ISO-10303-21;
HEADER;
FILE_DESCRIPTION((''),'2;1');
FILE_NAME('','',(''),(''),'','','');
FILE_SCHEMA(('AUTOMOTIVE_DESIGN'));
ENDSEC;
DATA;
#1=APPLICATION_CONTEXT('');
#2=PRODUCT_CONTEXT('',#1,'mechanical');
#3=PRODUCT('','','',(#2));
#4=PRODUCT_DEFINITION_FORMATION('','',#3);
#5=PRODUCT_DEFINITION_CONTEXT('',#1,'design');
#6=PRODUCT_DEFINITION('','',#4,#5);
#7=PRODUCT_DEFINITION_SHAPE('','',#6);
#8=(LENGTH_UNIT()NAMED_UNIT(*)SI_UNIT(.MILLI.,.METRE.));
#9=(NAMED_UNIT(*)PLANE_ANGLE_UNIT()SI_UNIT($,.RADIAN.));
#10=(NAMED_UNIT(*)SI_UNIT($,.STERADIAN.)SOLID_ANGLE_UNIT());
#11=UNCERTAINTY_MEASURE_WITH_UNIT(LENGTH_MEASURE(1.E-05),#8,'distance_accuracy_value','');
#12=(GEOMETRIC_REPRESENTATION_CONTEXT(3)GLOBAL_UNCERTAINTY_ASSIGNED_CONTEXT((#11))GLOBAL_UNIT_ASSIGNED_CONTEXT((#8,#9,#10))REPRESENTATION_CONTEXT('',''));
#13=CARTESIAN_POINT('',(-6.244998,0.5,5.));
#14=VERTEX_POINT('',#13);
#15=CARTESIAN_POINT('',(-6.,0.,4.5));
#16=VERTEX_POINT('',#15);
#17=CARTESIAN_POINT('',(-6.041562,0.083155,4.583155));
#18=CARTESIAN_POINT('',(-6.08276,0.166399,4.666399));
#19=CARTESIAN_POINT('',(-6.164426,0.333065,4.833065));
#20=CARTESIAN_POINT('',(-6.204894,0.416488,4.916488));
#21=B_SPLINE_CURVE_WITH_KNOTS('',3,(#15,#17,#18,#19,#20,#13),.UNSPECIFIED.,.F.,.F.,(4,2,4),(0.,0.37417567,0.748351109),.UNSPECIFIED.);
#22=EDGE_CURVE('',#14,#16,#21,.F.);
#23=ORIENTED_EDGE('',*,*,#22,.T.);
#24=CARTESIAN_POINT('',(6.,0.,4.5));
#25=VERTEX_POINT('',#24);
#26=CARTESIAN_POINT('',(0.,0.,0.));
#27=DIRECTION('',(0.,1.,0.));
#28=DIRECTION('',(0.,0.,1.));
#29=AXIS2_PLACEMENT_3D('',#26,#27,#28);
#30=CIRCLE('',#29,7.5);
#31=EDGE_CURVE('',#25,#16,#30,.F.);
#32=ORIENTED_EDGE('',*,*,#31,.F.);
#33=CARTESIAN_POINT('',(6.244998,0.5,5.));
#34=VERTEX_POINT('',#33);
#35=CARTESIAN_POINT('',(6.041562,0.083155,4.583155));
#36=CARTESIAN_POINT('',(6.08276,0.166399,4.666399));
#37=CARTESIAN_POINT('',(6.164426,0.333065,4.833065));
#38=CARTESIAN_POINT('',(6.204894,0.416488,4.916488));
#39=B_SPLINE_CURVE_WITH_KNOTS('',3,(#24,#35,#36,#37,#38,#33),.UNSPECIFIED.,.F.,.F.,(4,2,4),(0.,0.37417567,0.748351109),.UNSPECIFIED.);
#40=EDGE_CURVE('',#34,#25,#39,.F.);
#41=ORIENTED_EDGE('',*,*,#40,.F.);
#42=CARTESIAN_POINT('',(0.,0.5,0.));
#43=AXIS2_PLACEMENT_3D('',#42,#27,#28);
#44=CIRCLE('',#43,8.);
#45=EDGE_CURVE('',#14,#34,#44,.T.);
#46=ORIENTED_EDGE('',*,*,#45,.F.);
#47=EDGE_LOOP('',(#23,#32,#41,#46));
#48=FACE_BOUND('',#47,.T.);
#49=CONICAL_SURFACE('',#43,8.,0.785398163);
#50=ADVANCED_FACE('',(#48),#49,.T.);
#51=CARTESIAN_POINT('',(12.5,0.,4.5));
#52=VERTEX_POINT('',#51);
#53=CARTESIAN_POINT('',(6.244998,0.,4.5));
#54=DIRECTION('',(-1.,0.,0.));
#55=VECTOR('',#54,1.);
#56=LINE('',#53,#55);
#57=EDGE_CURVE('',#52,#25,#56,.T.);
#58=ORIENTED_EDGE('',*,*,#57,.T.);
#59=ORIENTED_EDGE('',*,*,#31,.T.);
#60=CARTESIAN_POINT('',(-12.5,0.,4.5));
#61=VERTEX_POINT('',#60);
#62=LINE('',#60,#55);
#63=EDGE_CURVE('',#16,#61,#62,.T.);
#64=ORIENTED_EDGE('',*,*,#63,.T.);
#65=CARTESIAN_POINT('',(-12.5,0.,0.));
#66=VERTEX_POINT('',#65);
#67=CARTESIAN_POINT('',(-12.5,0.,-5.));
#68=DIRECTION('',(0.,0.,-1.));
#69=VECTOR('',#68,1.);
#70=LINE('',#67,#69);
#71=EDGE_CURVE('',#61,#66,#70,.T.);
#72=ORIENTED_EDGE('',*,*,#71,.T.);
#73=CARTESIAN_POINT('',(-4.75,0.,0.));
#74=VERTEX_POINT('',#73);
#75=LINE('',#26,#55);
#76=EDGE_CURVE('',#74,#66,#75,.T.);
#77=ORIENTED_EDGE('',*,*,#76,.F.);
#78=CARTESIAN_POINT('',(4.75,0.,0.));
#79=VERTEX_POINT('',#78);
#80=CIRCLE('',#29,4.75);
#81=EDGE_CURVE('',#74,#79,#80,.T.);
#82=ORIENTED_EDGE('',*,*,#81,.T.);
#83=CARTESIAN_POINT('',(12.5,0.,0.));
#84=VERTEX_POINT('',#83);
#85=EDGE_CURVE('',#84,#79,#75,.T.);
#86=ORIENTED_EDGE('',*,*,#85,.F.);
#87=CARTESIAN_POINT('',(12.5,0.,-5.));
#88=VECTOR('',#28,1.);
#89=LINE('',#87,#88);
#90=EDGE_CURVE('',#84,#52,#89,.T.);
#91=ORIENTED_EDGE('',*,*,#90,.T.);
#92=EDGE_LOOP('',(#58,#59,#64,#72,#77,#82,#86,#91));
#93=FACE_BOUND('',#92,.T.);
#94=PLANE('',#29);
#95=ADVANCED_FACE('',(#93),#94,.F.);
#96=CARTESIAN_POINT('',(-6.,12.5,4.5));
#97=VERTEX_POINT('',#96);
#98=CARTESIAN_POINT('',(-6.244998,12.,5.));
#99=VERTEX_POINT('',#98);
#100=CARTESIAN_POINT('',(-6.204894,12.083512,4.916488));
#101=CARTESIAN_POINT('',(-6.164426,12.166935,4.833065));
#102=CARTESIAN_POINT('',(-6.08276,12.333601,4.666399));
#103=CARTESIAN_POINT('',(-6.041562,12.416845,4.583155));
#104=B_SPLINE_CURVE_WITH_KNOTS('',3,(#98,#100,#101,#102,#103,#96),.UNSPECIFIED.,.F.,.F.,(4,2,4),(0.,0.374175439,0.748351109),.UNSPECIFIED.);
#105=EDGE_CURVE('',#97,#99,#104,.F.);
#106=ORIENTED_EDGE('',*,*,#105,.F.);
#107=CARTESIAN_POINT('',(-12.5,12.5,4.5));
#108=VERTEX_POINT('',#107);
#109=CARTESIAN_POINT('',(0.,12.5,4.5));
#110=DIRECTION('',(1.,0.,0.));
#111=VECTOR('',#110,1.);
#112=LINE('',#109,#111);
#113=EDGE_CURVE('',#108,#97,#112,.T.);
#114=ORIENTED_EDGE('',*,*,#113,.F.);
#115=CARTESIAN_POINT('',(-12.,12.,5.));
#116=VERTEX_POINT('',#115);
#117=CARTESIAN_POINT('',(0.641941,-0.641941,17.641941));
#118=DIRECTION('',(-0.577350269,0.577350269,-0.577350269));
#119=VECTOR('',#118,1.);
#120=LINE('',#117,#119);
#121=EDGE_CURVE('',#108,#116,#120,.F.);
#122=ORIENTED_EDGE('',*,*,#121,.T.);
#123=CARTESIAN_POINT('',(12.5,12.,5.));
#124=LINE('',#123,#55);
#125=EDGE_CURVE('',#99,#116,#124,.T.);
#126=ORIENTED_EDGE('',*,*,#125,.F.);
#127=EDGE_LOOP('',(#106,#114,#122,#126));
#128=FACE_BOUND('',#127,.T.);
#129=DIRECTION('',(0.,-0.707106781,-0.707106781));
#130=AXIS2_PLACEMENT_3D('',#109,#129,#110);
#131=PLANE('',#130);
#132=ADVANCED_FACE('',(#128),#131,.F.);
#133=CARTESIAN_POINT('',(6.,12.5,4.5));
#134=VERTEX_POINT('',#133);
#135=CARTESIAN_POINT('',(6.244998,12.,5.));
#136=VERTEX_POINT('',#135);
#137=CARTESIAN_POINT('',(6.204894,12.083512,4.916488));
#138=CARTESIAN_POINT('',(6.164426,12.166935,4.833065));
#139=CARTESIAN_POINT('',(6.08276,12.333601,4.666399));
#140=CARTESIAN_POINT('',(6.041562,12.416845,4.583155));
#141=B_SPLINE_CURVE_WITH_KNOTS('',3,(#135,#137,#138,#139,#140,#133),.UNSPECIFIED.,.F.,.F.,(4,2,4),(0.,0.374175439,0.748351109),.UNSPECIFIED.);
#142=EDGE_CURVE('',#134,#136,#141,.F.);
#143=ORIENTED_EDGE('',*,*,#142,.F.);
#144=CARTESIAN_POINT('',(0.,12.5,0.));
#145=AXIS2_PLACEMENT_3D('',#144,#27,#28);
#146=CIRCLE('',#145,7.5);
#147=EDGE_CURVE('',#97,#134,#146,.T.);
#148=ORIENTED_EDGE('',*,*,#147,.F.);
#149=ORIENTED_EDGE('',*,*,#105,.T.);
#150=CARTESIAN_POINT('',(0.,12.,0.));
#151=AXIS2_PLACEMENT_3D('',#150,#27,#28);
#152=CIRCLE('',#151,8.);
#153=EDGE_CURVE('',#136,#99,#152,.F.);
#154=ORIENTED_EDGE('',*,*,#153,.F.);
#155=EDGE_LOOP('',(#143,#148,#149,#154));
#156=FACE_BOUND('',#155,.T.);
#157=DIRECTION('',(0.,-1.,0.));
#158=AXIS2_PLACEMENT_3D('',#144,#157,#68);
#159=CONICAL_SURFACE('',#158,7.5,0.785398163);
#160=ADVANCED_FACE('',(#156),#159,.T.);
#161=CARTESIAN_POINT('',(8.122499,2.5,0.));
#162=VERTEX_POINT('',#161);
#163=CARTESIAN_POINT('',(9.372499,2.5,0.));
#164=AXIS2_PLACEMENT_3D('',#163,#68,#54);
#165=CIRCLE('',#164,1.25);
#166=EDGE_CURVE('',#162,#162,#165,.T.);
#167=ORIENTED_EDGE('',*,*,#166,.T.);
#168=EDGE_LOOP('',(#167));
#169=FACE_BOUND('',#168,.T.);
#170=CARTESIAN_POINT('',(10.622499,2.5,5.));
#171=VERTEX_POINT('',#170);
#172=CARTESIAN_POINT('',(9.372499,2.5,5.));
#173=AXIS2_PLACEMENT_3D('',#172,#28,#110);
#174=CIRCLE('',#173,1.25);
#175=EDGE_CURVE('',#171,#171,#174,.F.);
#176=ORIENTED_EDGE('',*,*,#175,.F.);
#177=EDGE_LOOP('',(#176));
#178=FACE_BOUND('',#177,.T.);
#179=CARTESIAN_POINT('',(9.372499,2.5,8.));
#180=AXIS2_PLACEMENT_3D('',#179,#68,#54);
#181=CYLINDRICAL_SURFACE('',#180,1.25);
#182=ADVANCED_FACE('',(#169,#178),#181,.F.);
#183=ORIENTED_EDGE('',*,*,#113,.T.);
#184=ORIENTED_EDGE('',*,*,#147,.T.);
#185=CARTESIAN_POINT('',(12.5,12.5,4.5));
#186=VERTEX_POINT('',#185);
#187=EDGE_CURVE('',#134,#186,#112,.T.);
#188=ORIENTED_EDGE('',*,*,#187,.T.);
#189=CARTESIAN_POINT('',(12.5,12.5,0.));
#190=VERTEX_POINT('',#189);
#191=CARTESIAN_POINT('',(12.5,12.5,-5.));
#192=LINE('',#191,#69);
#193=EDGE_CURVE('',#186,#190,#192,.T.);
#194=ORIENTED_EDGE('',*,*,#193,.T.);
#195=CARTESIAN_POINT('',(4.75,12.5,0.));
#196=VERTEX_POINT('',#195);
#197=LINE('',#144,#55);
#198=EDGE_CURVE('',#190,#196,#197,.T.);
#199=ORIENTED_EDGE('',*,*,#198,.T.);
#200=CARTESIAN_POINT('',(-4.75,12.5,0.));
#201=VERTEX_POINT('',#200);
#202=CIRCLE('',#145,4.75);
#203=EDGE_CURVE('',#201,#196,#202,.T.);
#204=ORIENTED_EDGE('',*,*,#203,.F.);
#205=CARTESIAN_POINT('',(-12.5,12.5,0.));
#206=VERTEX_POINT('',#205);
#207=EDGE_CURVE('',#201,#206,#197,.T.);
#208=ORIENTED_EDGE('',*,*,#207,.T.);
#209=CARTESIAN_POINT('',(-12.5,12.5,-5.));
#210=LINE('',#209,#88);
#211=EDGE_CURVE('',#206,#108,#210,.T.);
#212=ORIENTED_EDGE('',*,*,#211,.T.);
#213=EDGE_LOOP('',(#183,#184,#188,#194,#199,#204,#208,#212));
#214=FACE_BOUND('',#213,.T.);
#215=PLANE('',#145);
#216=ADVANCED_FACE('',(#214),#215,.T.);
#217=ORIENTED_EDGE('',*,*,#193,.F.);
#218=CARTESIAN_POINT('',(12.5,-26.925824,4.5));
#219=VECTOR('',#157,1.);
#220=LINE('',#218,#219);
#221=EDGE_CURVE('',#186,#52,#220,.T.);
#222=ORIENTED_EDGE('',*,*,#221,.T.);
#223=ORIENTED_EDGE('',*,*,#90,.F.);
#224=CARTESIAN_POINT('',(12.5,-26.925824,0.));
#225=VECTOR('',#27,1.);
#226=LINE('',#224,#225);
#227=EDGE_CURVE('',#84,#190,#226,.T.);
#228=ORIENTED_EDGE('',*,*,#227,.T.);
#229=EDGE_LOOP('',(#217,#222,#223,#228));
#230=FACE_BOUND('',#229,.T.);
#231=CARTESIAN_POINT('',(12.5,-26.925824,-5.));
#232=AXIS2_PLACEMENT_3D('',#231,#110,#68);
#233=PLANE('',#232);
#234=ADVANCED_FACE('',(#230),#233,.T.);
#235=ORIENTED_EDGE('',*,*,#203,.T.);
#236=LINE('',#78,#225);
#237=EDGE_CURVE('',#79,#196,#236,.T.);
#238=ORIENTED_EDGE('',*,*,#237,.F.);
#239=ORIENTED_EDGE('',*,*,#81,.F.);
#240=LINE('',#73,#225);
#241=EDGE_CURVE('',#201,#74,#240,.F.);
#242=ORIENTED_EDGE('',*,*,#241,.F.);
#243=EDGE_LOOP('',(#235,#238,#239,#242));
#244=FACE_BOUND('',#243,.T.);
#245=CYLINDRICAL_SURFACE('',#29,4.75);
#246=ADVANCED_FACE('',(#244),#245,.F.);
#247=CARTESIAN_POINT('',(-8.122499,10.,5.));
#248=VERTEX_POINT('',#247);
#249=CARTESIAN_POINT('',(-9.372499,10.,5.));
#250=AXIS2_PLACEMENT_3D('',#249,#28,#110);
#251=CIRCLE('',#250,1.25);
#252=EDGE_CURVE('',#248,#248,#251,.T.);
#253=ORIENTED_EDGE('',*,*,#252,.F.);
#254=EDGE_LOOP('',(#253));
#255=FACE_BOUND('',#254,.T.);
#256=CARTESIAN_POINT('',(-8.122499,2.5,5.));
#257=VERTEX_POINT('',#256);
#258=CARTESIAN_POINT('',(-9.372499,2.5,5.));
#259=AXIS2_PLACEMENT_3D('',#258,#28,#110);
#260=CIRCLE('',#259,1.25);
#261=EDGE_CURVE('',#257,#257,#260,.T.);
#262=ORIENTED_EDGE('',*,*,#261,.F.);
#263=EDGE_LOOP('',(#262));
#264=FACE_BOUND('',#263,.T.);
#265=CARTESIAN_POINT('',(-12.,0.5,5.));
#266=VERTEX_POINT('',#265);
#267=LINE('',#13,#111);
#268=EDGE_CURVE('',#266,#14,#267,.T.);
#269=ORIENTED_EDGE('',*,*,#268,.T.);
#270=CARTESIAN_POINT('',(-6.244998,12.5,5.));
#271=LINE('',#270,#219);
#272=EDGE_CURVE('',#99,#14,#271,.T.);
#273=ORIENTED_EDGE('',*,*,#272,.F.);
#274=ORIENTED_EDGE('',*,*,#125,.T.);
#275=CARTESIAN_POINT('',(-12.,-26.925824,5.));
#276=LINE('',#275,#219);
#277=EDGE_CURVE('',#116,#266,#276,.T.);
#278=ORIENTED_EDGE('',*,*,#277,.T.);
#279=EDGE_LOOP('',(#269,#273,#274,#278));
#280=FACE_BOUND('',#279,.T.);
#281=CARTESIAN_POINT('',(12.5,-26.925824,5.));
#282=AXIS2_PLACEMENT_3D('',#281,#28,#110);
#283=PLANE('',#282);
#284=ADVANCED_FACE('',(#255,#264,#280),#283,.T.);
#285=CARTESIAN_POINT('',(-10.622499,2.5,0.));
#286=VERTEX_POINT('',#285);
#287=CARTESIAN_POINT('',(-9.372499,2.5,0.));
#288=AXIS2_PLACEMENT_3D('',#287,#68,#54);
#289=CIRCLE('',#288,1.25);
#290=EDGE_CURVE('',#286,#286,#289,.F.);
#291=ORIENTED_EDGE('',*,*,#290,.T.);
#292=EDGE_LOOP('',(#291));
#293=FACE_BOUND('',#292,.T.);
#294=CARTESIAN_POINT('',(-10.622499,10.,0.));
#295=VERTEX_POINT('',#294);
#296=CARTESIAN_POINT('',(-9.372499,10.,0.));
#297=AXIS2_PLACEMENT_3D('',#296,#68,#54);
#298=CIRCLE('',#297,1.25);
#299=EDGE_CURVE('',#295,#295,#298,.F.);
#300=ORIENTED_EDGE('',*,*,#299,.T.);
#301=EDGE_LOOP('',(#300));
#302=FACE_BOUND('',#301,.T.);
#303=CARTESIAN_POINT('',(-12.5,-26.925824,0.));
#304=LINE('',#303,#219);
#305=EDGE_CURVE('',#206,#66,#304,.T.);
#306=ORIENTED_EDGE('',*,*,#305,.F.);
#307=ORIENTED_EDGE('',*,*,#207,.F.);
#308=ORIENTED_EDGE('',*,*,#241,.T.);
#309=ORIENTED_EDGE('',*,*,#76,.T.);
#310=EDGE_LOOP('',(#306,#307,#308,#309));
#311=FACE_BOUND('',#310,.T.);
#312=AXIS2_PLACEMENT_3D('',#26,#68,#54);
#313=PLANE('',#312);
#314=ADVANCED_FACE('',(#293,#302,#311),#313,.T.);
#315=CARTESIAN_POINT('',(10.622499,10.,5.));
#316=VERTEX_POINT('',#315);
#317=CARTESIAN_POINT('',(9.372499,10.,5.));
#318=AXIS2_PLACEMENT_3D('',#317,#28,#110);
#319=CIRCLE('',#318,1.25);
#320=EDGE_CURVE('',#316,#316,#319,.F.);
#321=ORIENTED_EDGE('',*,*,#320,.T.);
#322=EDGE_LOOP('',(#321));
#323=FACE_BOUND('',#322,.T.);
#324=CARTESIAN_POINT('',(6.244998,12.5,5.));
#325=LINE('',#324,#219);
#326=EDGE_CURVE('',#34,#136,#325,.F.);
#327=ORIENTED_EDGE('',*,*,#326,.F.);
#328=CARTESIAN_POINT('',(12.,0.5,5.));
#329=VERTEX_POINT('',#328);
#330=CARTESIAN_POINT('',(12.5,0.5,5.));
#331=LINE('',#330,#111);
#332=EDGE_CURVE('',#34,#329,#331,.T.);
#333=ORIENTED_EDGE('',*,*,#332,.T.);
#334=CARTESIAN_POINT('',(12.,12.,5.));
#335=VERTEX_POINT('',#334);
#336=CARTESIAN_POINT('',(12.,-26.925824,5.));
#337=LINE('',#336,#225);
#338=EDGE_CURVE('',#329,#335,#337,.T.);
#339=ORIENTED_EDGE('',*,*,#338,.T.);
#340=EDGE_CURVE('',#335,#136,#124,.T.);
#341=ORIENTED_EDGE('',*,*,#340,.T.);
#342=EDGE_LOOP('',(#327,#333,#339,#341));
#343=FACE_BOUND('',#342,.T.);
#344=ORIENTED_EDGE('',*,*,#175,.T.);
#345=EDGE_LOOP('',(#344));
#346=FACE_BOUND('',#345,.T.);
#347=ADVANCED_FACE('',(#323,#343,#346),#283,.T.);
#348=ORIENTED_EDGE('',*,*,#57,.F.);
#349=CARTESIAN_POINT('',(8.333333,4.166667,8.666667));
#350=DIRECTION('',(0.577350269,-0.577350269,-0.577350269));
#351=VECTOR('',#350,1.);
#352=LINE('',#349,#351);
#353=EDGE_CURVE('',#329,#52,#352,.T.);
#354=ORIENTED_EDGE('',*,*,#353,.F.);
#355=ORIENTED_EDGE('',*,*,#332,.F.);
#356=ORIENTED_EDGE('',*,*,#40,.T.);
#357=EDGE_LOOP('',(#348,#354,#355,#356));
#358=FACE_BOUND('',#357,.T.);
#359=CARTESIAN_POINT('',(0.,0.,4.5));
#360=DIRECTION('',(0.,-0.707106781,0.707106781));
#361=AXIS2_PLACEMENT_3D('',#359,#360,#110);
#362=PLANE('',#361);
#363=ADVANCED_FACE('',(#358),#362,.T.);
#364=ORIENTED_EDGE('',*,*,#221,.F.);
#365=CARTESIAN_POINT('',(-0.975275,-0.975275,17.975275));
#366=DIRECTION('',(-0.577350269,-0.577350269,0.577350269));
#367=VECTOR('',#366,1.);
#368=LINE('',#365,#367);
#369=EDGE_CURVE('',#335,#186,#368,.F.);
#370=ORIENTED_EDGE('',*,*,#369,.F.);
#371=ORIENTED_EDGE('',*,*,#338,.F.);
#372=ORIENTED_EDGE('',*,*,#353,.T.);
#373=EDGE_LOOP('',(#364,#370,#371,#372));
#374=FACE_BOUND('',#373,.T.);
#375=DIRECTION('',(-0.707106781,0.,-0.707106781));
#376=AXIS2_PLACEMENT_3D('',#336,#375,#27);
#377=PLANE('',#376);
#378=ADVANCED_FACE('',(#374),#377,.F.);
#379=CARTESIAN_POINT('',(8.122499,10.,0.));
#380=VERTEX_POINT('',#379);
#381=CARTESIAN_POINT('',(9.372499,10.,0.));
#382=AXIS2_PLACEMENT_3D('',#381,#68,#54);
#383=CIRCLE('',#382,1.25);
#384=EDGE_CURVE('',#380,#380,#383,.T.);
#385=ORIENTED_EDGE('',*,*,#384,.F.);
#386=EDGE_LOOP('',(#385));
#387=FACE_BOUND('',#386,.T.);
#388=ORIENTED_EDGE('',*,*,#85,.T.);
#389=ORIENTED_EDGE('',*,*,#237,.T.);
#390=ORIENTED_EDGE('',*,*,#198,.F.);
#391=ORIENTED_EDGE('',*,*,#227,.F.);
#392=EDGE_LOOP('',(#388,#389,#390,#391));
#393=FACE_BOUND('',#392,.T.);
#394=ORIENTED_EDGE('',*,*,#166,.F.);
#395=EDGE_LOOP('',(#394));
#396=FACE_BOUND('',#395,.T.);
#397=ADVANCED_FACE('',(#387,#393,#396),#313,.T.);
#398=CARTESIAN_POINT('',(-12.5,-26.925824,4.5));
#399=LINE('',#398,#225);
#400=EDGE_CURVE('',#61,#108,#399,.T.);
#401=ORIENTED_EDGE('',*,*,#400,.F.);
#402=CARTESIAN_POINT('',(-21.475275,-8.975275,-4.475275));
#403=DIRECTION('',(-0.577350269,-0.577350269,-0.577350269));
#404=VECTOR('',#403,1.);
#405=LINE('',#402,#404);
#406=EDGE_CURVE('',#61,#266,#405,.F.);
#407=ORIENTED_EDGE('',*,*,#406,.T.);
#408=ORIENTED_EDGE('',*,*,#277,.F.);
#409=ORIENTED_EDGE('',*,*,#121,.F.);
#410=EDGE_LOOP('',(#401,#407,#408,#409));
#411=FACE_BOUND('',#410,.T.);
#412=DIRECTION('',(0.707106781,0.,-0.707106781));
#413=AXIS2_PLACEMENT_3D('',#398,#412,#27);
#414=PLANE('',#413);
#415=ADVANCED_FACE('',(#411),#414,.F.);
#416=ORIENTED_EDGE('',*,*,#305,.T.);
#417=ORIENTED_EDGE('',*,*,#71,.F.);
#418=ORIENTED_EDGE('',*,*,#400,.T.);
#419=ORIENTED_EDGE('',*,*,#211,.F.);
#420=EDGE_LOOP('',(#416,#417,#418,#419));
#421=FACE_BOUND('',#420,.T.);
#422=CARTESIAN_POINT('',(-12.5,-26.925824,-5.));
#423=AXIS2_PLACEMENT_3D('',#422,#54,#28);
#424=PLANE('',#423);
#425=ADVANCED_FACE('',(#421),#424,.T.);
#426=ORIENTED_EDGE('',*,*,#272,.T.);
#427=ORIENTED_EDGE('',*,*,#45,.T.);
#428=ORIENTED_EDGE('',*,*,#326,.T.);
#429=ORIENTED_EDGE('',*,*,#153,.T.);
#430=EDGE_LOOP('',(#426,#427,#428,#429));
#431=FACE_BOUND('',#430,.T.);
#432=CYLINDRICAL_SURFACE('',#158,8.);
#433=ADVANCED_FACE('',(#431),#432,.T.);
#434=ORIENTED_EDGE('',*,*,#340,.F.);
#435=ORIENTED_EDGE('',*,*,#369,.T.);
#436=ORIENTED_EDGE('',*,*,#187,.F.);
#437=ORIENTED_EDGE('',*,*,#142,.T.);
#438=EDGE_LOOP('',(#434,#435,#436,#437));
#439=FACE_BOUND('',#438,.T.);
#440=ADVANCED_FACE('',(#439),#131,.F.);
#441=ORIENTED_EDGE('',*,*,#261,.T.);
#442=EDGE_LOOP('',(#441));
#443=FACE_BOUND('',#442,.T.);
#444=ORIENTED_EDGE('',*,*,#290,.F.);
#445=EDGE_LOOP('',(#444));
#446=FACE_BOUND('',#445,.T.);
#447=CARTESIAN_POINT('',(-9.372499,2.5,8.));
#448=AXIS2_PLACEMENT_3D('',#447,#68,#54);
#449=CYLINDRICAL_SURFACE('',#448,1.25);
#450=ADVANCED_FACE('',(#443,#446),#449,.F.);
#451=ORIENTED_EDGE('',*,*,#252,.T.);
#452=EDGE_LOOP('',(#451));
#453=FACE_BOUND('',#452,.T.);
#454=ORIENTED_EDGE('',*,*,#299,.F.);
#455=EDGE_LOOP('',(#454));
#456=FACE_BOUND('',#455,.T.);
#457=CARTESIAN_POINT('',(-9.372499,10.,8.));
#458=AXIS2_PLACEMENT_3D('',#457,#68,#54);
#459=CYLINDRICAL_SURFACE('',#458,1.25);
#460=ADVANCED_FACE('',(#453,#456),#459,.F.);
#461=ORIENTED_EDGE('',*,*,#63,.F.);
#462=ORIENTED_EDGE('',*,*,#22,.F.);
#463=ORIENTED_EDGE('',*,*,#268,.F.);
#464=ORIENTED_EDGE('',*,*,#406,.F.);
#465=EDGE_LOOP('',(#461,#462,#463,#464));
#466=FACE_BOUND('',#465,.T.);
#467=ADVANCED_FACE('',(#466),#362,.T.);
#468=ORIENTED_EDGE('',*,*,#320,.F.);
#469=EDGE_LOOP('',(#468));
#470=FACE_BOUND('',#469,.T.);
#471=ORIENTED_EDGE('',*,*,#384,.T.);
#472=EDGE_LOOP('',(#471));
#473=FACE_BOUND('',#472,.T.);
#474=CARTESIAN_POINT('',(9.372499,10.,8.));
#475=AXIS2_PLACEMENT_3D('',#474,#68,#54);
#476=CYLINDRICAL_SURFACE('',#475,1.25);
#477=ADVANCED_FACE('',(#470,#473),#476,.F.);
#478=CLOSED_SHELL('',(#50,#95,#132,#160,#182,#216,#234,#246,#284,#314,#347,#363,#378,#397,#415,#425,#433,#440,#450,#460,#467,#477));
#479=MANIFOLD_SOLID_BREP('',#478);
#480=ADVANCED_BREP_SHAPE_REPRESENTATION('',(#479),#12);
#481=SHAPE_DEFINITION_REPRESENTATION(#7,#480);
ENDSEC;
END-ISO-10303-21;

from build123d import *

# Parameters (mm, degrees)
SKETCH_1_R          = 8
EXTRUDE_1_DEPTH     = 12.5
SKETCH_3_W          = 25
SKETCH_3_H          = 10
EXTRUDE_2_DEPTH     = 12.5
SKETCH_4_R          = 4.75
CUT_EXTRUDE_1_DEPTH = 20.403607912
SKETCH_5_R          = 1.25
CUT_EXTRUDE_2_DEPTH = 22.943108257
CHAMFER_1_SIZE      = 0.5
SKETCH_6_W          = 49.161013252
SKETCH_6_H          = 46.40097955
CUT_EXTRUDE_3_DEPTH = 20.403607912


with BuildPart() as part:
    # 草图1 → 凸台-拉伸1 (new body)
    with BuildSketch(Plane(origin=(0, 0, 0), x_dir=(1, 0, 0), z_dir=(0, 1, 0))):
        with Locations(Location((0, 0, 0), (0, 0, 270))):
            Circle(SKETCH_1_R)
    extrude(amount=EXTRUDE_1_DEPTH)

    # 草图3 → 凸台-拉伸2 (add)
    with BuildSketch(Plane(origin=(0, 12.5, 0), x_dir=(1, 0, 0), z_dir=(0, 1, 0))):
        Rectangle(SKETCH_3_W, SKETCH_3_H)
    extrude(amount=-EXTRUDE_2_DEPTH)

    # 草图4 → 切除-拉伸1 (cut, through all)
    with BuildSketch(Plane(origin=(0, 12.5, 0), x_dir=(1, 0, 0), z_dir=(0, 1, 0))):
        with Locations(Location((0, 0, 0), (0, 0, 270))):
            Circle(SKETCH_4_R)
    extrude(amount=-CUT_EXTRUDE_1_DEPTH, mode=Mode.SUBTRACT)

    # 草图5 → 切除-拉伸2 (cut, through all)
    with BuildSketch(Plane(origin=(0, 0, -5), x_dir=(-1, 0, 0), z_dir=(0, 0, -1))):
        with Locations((9.372498999, 2.5)):
            Circle(SKETCH_5_R)
        with Locations((9.372498999, 10)):
            Circle(SKETCH_5_R)
    cut_extrude_2 = extrude(amount=-CUT_EXTRUDE_2_DEPTH, mode=Mode.SUBTRACT)

    # 镜向1: 切除-拉伸2 across plane
    add(cut_extrude_2.mirror(Plane(origin=(0, 0, 0), x_dir=(0, 0, 1), z_dir=(1, 0, 0))), mode=Mode.SUBTRACT)

    # 倒角1
    chamfer_1_edges = [part.edges().sort_by_distance(p)[0] for p in [
        (9.372498999, 12.5, -5),
        (9.372498999, 12.5, 5),
        (9.372498999, 0, 5),
        (9.372498999, 0, -5),
        (-12.5, 6.25, -5),
        (12.5, 6.25, 5),
        (-12.5, 6.25, 5),
        (12.5, 6.25, -5),
        (-9.372498999, 12.5, 5),
        (-9.372498999, 12.5, -5),
        (-9.372498999, 0, -5),
        (-9.372498999, 0, 5),
        (0, 0, -8),
        (0, 0, 8),
        (0, 12.5, -8),
        (0, 12.5, 8),
    ]]
    chamfer(chamfer_1_edges, length=CHAMFER_1_SIZE)

    # 草图6 → 切除-拉伸3 (cut, through all)
    with BuildSketch(Plane.XY):
        Rectangle(SKETCH_6_W, SKETCH_6_H)
    extrude(amount=-CUT_EXTRUDE_3_DEPTH, mode=Mode.SUBTRACT)


solid = part.part
